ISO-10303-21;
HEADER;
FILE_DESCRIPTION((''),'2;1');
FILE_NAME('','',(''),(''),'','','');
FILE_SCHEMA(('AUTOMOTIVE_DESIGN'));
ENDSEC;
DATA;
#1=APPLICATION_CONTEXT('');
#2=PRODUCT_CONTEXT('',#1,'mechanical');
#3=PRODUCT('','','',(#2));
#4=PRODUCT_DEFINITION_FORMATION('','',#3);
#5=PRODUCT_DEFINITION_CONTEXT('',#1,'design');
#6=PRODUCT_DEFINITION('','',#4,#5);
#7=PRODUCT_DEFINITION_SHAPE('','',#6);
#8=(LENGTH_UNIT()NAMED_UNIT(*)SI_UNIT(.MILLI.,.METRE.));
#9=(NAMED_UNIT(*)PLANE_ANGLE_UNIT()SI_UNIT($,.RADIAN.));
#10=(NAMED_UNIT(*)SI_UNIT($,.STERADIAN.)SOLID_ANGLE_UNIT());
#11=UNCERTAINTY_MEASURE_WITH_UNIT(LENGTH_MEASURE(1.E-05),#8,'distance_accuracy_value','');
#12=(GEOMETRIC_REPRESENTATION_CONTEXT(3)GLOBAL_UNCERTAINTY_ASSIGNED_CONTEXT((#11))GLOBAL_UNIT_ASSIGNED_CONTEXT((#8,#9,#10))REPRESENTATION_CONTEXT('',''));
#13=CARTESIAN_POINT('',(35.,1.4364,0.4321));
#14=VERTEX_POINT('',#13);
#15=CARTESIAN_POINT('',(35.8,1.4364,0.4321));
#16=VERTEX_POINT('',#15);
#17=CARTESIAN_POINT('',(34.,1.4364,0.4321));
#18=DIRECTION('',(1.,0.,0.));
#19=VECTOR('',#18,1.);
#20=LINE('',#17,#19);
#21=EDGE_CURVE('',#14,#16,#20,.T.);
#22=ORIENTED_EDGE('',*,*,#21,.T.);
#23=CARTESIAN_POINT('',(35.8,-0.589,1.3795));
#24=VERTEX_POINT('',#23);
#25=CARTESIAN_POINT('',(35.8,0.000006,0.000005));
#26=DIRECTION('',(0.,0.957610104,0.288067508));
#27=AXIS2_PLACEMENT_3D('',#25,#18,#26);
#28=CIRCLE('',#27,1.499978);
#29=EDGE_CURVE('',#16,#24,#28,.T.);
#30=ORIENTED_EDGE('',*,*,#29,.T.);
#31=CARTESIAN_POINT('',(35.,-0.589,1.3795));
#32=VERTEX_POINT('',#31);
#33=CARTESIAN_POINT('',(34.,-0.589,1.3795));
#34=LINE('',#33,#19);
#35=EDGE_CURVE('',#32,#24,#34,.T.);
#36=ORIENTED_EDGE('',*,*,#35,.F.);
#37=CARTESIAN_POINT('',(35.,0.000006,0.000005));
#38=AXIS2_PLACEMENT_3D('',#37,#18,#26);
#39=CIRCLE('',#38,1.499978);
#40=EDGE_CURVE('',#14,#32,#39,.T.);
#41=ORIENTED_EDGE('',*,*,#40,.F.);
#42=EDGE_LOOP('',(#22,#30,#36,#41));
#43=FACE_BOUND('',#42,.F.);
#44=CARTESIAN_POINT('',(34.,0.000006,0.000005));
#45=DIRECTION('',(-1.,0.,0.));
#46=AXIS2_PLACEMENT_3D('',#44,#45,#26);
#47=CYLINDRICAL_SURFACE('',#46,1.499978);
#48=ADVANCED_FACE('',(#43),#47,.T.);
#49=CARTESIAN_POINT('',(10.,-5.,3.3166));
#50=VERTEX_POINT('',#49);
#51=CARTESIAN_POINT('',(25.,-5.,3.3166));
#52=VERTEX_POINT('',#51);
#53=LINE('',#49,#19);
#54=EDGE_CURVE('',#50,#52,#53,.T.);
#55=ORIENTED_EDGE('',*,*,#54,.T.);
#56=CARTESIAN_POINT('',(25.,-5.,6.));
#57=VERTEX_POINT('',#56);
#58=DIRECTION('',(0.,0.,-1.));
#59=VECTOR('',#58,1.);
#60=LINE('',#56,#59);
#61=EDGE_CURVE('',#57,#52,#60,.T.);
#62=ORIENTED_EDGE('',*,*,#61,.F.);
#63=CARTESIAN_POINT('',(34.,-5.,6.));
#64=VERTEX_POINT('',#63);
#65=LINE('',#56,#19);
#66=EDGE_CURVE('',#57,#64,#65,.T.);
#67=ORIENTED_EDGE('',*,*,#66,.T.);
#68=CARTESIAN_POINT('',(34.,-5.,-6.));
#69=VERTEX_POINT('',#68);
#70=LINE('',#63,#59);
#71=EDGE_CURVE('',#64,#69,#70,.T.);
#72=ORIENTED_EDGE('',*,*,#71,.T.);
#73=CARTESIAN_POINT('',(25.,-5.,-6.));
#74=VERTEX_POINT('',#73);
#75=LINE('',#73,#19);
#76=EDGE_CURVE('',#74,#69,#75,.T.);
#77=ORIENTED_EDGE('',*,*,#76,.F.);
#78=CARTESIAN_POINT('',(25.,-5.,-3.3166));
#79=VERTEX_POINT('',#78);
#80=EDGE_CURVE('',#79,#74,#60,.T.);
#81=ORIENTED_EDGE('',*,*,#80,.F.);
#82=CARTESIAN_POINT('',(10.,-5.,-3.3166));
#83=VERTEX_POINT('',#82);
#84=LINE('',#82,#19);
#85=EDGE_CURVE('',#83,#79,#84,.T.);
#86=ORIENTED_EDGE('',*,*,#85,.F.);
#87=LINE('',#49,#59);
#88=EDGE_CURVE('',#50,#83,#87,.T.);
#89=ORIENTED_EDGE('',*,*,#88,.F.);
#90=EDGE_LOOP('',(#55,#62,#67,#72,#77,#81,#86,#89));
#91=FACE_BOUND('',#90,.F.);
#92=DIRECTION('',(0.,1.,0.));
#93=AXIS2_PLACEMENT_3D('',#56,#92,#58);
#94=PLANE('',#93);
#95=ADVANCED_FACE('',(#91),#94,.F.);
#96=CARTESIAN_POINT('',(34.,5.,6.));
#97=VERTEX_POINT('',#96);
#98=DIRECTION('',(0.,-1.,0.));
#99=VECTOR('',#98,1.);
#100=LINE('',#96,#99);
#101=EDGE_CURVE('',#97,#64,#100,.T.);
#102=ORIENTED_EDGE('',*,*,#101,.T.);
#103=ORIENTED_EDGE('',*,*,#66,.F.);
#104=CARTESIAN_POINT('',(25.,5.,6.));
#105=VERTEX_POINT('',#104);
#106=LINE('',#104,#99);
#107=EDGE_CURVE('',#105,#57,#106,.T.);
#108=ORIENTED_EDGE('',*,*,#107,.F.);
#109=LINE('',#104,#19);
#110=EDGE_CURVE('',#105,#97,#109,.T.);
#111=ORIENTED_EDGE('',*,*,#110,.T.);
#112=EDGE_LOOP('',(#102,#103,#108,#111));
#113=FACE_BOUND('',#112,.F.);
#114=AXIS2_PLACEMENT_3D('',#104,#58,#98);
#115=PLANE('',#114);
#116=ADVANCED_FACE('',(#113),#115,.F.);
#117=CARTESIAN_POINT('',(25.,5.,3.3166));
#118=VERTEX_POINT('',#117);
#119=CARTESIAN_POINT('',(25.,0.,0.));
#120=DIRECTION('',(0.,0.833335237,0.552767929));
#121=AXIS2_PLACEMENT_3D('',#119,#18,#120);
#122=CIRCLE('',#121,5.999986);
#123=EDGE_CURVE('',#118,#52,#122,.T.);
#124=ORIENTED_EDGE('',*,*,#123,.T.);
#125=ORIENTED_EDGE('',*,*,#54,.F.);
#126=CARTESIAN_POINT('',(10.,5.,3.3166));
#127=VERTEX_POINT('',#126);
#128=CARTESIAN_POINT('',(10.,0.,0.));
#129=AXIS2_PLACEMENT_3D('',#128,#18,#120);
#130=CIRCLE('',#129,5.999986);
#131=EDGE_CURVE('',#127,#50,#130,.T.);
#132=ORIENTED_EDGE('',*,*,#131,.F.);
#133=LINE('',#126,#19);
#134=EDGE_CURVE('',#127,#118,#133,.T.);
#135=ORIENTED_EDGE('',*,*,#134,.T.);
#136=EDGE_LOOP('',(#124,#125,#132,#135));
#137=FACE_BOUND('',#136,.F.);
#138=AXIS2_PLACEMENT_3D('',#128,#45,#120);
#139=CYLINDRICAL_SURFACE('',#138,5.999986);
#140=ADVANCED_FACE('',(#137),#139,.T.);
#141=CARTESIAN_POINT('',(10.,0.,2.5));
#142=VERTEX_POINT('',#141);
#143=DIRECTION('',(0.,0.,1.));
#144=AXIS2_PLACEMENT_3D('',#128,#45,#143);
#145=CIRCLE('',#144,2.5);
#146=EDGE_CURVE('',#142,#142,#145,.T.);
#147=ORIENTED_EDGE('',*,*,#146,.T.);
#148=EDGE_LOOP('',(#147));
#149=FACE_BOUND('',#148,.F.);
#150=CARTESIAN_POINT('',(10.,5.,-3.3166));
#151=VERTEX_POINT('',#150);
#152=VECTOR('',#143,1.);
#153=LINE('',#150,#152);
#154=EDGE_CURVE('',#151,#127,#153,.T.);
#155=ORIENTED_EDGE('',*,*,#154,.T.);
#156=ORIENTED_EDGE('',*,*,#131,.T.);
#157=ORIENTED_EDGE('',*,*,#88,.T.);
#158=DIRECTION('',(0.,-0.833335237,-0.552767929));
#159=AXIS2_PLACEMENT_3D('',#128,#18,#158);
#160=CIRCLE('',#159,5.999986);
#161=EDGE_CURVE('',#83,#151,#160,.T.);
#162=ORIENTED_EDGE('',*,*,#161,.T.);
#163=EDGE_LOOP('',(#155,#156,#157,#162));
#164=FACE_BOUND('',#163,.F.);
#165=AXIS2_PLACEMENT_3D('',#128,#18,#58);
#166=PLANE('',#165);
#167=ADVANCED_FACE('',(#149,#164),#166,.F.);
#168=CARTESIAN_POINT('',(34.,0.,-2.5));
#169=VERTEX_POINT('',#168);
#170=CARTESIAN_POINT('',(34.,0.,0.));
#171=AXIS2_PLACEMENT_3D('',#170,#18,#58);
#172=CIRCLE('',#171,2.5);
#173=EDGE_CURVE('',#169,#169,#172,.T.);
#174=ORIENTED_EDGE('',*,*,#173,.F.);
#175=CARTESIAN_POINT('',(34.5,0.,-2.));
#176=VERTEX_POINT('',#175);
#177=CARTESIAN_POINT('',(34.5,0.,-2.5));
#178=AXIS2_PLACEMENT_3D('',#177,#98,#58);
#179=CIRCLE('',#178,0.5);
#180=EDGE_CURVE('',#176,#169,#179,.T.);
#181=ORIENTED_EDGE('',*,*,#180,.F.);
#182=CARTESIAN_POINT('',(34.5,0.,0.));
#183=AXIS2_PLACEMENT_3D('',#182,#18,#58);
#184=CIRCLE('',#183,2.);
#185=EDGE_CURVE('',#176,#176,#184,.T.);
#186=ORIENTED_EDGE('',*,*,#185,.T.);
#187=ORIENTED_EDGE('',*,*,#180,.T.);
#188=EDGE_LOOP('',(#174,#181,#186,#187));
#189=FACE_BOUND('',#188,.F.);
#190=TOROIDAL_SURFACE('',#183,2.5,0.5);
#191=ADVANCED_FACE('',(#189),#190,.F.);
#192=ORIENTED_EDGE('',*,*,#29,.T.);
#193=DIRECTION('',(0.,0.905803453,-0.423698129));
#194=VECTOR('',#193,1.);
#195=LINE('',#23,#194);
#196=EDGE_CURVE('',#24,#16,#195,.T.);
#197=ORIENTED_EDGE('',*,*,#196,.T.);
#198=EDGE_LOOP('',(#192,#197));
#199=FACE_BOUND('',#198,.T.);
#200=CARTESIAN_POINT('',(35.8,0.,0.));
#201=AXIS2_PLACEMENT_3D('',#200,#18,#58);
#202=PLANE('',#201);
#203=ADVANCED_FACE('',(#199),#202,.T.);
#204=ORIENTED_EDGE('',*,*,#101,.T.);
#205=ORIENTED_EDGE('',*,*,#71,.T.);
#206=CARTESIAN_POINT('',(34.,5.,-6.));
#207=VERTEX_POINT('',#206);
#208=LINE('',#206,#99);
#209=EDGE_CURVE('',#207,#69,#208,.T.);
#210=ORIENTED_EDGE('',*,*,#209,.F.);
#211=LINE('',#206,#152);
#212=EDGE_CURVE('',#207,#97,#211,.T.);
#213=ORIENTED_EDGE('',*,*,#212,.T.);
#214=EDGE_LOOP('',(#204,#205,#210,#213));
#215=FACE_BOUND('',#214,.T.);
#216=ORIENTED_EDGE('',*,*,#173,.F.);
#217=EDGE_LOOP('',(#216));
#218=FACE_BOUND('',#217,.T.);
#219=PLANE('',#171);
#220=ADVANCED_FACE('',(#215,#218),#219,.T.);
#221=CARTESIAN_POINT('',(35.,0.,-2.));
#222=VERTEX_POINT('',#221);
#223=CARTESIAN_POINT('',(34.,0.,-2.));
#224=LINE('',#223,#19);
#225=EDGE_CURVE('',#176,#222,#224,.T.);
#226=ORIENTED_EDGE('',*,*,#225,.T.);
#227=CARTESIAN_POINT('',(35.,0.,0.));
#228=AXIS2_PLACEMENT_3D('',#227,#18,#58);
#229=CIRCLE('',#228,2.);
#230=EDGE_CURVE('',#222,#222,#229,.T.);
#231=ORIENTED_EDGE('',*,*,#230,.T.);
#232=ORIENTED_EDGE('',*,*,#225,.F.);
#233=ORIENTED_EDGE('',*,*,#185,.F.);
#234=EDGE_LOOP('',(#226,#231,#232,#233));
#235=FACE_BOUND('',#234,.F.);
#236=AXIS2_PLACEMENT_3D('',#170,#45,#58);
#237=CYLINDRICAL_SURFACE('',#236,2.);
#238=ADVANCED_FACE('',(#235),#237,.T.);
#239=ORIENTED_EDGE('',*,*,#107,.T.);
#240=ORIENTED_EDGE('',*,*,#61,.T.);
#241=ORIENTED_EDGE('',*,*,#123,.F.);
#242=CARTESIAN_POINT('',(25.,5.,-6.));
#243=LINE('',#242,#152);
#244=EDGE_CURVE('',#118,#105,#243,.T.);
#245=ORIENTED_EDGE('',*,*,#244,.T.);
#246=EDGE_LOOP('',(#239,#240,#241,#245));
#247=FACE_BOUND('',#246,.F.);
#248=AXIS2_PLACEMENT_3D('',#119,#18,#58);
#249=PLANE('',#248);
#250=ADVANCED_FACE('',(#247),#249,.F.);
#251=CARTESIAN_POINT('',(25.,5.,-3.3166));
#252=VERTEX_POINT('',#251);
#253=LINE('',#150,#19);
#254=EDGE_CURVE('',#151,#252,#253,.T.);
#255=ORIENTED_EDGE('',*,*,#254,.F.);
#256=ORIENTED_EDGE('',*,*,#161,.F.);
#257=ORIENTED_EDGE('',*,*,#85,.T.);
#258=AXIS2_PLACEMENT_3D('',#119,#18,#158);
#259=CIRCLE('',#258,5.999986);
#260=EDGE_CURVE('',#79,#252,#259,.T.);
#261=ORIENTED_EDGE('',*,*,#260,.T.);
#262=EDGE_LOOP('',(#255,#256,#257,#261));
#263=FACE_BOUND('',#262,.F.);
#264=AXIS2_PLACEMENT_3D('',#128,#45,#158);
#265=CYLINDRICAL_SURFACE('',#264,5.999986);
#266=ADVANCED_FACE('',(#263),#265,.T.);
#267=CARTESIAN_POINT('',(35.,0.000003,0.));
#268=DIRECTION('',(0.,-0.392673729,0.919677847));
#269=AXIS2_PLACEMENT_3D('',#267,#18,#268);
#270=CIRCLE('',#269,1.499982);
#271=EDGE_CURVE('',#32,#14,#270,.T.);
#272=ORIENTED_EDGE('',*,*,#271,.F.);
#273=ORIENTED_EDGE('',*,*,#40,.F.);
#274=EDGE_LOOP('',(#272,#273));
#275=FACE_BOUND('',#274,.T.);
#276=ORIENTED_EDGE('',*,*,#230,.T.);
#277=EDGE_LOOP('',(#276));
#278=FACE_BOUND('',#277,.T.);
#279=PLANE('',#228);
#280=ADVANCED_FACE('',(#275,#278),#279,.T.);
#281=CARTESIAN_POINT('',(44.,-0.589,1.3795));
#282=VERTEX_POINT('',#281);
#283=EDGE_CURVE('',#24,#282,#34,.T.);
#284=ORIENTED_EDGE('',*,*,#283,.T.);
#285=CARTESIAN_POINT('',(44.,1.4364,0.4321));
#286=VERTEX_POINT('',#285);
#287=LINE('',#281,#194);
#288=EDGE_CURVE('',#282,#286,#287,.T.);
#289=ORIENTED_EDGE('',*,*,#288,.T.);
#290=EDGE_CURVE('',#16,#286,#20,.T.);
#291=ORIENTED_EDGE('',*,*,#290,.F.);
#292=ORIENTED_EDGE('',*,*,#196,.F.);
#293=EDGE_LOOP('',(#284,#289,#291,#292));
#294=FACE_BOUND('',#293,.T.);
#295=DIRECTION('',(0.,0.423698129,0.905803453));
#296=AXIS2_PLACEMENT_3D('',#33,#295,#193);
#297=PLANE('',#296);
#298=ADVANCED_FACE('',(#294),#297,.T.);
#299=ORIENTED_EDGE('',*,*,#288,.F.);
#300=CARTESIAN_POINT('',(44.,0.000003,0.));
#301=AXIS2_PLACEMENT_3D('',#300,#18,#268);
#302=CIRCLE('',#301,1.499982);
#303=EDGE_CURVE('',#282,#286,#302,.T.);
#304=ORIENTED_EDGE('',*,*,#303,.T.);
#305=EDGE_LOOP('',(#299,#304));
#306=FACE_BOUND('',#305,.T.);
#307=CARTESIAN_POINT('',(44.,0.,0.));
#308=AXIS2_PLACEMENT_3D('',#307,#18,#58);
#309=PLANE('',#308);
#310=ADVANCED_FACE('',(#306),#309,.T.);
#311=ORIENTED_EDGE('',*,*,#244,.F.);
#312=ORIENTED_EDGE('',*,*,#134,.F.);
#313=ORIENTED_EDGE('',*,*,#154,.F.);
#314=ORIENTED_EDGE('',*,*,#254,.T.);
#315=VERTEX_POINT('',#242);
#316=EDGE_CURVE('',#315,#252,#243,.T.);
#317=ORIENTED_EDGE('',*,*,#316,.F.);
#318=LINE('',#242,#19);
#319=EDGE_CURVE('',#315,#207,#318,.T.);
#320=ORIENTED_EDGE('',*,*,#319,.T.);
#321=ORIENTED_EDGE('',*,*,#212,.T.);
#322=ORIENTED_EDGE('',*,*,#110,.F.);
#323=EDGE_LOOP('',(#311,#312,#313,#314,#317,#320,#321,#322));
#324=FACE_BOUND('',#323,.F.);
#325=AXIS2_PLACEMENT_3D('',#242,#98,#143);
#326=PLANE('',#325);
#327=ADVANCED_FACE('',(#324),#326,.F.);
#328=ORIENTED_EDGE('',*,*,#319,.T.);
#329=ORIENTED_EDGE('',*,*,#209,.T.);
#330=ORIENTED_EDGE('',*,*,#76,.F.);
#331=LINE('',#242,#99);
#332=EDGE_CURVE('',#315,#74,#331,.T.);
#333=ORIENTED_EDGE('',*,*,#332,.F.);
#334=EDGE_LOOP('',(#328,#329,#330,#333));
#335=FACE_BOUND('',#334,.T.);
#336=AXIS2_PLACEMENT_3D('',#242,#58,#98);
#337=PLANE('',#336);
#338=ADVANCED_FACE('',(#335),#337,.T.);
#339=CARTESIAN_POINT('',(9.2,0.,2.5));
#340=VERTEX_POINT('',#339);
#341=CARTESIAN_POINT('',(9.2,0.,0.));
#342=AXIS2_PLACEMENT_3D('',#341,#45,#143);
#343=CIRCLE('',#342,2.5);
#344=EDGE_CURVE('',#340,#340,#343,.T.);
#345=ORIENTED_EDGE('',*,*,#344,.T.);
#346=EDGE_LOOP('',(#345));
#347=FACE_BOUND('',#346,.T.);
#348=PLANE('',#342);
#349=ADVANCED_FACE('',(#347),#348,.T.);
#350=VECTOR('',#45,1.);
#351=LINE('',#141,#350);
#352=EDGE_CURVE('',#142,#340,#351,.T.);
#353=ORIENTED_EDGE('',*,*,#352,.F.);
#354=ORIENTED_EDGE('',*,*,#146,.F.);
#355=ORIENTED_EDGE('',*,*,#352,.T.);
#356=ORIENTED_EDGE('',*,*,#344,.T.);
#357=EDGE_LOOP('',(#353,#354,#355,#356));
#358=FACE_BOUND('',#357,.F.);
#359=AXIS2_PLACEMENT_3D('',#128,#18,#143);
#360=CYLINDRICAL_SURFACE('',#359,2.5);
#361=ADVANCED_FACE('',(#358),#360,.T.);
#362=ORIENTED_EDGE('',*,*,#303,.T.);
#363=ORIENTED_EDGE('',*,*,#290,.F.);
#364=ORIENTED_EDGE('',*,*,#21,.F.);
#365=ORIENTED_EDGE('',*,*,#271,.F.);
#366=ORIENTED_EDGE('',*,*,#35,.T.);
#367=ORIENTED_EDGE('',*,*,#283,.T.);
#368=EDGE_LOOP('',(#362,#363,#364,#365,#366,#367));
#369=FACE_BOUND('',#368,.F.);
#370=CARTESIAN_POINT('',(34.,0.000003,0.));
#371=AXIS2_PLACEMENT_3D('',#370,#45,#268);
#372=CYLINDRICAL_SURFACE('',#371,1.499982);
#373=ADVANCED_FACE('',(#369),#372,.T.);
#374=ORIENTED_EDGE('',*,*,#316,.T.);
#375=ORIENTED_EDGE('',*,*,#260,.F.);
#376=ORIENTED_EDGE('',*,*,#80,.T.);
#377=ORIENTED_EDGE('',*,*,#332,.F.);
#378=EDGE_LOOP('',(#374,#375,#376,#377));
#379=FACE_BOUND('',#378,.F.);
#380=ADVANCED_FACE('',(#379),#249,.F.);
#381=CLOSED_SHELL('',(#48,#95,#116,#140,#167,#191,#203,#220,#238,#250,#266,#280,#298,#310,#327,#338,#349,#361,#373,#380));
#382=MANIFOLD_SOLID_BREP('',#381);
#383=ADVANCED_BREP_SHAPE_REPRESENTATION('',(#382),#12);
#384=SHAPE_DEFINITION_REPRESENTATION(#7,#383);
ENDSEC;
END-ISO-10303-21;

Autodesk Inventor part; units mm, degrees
ref_plane "YZ Plane" through (0, 0, 0) normal (1, 0, 0) x (0, 1, 0)
ref_plane "XZ Plane" through (0, 0, 0) normal (0, 1, 0) x (-1, 0, 0)
ref_plane "Pracovní rovina2" through (10, 0, 0) normal (1, 0, 0) x (0, 0, -1)
sketch "Náčrt1" plane through (10, 0, 0) normal (1, 0, 0) x (0, 0, -1)
  arc A0 (-3.3166, 5) -> (-3.3166, -5) centre (0, 0) ccw projected
  line L0 (3.3166, 5) -> (-3.3166, 5) projected
  arc A1 (3.3166, -5) -> (3.3166, 5) centre (0, 0) ccw projected
  line L1 (-3.3166, -5) -> (3.3166, -5) projected
  point P0 (0, 0)
extrude "Vysunutí1" add sketch "Náčrt1" along normal blind 15
sketch "Náčrt2" plane through (25, 0, 0) normal (1, 0, 0) x (0, 0, -1)
  line L0 (-6, 5) -> (-6, -5) projected
  line L1 (6, 5) -> (-6, 5) projected
  line L2 (6, 5) -> (6, -5) projected
  line L3 (-6, -5) -> (6, -5) projected
  point P0 (0, 0)
extrude "Vysunutí2" add sketch "Náčrt2" along normal blind 9
sketch "Náčrt3" plane through (34, 0, 0) normal (1, 0, 0) x (0, 0, -1)
  arc A0 (-1.3795, -0.589) -> (-0.4321, 1.4364) centre (0, 0) ccw projected
  line L0 (-1.3795, -0.589) -> (-0.4321, 1.4364) projected
  circle A1 centre (0, 0) radius 2 projected
  arc A2 (-0.4321, 1.4364) -> (-1.3795, -0.589) centre (0, 0) ccw projected
extrude "Vysunutí3" add sketch "Náčrt3" along normal blind 1
extrude "Vysunutí4" add sketch "Náčrt3" along normal blind 10 contours L0 A0
extrude "Vysunutí5" add sketch "Náčrt3" along normal blind 1.8 contours A2 L0
sketch "Náčrt4" plane through (10, 0, 0) normal (-1, 0, 0) x (0, 0, 1)
  circle A0 centre (0, 0) radius 2.5
  dimension "d12" = 5
extrude "Vysunutí6" add sketch "Náčrt4" along normal blind 0.8
fillet "Zaoblení2" radius 0.5 1 edges at (34, 0, 2)
properties part number "GA12-N20 Motor_finalV"
